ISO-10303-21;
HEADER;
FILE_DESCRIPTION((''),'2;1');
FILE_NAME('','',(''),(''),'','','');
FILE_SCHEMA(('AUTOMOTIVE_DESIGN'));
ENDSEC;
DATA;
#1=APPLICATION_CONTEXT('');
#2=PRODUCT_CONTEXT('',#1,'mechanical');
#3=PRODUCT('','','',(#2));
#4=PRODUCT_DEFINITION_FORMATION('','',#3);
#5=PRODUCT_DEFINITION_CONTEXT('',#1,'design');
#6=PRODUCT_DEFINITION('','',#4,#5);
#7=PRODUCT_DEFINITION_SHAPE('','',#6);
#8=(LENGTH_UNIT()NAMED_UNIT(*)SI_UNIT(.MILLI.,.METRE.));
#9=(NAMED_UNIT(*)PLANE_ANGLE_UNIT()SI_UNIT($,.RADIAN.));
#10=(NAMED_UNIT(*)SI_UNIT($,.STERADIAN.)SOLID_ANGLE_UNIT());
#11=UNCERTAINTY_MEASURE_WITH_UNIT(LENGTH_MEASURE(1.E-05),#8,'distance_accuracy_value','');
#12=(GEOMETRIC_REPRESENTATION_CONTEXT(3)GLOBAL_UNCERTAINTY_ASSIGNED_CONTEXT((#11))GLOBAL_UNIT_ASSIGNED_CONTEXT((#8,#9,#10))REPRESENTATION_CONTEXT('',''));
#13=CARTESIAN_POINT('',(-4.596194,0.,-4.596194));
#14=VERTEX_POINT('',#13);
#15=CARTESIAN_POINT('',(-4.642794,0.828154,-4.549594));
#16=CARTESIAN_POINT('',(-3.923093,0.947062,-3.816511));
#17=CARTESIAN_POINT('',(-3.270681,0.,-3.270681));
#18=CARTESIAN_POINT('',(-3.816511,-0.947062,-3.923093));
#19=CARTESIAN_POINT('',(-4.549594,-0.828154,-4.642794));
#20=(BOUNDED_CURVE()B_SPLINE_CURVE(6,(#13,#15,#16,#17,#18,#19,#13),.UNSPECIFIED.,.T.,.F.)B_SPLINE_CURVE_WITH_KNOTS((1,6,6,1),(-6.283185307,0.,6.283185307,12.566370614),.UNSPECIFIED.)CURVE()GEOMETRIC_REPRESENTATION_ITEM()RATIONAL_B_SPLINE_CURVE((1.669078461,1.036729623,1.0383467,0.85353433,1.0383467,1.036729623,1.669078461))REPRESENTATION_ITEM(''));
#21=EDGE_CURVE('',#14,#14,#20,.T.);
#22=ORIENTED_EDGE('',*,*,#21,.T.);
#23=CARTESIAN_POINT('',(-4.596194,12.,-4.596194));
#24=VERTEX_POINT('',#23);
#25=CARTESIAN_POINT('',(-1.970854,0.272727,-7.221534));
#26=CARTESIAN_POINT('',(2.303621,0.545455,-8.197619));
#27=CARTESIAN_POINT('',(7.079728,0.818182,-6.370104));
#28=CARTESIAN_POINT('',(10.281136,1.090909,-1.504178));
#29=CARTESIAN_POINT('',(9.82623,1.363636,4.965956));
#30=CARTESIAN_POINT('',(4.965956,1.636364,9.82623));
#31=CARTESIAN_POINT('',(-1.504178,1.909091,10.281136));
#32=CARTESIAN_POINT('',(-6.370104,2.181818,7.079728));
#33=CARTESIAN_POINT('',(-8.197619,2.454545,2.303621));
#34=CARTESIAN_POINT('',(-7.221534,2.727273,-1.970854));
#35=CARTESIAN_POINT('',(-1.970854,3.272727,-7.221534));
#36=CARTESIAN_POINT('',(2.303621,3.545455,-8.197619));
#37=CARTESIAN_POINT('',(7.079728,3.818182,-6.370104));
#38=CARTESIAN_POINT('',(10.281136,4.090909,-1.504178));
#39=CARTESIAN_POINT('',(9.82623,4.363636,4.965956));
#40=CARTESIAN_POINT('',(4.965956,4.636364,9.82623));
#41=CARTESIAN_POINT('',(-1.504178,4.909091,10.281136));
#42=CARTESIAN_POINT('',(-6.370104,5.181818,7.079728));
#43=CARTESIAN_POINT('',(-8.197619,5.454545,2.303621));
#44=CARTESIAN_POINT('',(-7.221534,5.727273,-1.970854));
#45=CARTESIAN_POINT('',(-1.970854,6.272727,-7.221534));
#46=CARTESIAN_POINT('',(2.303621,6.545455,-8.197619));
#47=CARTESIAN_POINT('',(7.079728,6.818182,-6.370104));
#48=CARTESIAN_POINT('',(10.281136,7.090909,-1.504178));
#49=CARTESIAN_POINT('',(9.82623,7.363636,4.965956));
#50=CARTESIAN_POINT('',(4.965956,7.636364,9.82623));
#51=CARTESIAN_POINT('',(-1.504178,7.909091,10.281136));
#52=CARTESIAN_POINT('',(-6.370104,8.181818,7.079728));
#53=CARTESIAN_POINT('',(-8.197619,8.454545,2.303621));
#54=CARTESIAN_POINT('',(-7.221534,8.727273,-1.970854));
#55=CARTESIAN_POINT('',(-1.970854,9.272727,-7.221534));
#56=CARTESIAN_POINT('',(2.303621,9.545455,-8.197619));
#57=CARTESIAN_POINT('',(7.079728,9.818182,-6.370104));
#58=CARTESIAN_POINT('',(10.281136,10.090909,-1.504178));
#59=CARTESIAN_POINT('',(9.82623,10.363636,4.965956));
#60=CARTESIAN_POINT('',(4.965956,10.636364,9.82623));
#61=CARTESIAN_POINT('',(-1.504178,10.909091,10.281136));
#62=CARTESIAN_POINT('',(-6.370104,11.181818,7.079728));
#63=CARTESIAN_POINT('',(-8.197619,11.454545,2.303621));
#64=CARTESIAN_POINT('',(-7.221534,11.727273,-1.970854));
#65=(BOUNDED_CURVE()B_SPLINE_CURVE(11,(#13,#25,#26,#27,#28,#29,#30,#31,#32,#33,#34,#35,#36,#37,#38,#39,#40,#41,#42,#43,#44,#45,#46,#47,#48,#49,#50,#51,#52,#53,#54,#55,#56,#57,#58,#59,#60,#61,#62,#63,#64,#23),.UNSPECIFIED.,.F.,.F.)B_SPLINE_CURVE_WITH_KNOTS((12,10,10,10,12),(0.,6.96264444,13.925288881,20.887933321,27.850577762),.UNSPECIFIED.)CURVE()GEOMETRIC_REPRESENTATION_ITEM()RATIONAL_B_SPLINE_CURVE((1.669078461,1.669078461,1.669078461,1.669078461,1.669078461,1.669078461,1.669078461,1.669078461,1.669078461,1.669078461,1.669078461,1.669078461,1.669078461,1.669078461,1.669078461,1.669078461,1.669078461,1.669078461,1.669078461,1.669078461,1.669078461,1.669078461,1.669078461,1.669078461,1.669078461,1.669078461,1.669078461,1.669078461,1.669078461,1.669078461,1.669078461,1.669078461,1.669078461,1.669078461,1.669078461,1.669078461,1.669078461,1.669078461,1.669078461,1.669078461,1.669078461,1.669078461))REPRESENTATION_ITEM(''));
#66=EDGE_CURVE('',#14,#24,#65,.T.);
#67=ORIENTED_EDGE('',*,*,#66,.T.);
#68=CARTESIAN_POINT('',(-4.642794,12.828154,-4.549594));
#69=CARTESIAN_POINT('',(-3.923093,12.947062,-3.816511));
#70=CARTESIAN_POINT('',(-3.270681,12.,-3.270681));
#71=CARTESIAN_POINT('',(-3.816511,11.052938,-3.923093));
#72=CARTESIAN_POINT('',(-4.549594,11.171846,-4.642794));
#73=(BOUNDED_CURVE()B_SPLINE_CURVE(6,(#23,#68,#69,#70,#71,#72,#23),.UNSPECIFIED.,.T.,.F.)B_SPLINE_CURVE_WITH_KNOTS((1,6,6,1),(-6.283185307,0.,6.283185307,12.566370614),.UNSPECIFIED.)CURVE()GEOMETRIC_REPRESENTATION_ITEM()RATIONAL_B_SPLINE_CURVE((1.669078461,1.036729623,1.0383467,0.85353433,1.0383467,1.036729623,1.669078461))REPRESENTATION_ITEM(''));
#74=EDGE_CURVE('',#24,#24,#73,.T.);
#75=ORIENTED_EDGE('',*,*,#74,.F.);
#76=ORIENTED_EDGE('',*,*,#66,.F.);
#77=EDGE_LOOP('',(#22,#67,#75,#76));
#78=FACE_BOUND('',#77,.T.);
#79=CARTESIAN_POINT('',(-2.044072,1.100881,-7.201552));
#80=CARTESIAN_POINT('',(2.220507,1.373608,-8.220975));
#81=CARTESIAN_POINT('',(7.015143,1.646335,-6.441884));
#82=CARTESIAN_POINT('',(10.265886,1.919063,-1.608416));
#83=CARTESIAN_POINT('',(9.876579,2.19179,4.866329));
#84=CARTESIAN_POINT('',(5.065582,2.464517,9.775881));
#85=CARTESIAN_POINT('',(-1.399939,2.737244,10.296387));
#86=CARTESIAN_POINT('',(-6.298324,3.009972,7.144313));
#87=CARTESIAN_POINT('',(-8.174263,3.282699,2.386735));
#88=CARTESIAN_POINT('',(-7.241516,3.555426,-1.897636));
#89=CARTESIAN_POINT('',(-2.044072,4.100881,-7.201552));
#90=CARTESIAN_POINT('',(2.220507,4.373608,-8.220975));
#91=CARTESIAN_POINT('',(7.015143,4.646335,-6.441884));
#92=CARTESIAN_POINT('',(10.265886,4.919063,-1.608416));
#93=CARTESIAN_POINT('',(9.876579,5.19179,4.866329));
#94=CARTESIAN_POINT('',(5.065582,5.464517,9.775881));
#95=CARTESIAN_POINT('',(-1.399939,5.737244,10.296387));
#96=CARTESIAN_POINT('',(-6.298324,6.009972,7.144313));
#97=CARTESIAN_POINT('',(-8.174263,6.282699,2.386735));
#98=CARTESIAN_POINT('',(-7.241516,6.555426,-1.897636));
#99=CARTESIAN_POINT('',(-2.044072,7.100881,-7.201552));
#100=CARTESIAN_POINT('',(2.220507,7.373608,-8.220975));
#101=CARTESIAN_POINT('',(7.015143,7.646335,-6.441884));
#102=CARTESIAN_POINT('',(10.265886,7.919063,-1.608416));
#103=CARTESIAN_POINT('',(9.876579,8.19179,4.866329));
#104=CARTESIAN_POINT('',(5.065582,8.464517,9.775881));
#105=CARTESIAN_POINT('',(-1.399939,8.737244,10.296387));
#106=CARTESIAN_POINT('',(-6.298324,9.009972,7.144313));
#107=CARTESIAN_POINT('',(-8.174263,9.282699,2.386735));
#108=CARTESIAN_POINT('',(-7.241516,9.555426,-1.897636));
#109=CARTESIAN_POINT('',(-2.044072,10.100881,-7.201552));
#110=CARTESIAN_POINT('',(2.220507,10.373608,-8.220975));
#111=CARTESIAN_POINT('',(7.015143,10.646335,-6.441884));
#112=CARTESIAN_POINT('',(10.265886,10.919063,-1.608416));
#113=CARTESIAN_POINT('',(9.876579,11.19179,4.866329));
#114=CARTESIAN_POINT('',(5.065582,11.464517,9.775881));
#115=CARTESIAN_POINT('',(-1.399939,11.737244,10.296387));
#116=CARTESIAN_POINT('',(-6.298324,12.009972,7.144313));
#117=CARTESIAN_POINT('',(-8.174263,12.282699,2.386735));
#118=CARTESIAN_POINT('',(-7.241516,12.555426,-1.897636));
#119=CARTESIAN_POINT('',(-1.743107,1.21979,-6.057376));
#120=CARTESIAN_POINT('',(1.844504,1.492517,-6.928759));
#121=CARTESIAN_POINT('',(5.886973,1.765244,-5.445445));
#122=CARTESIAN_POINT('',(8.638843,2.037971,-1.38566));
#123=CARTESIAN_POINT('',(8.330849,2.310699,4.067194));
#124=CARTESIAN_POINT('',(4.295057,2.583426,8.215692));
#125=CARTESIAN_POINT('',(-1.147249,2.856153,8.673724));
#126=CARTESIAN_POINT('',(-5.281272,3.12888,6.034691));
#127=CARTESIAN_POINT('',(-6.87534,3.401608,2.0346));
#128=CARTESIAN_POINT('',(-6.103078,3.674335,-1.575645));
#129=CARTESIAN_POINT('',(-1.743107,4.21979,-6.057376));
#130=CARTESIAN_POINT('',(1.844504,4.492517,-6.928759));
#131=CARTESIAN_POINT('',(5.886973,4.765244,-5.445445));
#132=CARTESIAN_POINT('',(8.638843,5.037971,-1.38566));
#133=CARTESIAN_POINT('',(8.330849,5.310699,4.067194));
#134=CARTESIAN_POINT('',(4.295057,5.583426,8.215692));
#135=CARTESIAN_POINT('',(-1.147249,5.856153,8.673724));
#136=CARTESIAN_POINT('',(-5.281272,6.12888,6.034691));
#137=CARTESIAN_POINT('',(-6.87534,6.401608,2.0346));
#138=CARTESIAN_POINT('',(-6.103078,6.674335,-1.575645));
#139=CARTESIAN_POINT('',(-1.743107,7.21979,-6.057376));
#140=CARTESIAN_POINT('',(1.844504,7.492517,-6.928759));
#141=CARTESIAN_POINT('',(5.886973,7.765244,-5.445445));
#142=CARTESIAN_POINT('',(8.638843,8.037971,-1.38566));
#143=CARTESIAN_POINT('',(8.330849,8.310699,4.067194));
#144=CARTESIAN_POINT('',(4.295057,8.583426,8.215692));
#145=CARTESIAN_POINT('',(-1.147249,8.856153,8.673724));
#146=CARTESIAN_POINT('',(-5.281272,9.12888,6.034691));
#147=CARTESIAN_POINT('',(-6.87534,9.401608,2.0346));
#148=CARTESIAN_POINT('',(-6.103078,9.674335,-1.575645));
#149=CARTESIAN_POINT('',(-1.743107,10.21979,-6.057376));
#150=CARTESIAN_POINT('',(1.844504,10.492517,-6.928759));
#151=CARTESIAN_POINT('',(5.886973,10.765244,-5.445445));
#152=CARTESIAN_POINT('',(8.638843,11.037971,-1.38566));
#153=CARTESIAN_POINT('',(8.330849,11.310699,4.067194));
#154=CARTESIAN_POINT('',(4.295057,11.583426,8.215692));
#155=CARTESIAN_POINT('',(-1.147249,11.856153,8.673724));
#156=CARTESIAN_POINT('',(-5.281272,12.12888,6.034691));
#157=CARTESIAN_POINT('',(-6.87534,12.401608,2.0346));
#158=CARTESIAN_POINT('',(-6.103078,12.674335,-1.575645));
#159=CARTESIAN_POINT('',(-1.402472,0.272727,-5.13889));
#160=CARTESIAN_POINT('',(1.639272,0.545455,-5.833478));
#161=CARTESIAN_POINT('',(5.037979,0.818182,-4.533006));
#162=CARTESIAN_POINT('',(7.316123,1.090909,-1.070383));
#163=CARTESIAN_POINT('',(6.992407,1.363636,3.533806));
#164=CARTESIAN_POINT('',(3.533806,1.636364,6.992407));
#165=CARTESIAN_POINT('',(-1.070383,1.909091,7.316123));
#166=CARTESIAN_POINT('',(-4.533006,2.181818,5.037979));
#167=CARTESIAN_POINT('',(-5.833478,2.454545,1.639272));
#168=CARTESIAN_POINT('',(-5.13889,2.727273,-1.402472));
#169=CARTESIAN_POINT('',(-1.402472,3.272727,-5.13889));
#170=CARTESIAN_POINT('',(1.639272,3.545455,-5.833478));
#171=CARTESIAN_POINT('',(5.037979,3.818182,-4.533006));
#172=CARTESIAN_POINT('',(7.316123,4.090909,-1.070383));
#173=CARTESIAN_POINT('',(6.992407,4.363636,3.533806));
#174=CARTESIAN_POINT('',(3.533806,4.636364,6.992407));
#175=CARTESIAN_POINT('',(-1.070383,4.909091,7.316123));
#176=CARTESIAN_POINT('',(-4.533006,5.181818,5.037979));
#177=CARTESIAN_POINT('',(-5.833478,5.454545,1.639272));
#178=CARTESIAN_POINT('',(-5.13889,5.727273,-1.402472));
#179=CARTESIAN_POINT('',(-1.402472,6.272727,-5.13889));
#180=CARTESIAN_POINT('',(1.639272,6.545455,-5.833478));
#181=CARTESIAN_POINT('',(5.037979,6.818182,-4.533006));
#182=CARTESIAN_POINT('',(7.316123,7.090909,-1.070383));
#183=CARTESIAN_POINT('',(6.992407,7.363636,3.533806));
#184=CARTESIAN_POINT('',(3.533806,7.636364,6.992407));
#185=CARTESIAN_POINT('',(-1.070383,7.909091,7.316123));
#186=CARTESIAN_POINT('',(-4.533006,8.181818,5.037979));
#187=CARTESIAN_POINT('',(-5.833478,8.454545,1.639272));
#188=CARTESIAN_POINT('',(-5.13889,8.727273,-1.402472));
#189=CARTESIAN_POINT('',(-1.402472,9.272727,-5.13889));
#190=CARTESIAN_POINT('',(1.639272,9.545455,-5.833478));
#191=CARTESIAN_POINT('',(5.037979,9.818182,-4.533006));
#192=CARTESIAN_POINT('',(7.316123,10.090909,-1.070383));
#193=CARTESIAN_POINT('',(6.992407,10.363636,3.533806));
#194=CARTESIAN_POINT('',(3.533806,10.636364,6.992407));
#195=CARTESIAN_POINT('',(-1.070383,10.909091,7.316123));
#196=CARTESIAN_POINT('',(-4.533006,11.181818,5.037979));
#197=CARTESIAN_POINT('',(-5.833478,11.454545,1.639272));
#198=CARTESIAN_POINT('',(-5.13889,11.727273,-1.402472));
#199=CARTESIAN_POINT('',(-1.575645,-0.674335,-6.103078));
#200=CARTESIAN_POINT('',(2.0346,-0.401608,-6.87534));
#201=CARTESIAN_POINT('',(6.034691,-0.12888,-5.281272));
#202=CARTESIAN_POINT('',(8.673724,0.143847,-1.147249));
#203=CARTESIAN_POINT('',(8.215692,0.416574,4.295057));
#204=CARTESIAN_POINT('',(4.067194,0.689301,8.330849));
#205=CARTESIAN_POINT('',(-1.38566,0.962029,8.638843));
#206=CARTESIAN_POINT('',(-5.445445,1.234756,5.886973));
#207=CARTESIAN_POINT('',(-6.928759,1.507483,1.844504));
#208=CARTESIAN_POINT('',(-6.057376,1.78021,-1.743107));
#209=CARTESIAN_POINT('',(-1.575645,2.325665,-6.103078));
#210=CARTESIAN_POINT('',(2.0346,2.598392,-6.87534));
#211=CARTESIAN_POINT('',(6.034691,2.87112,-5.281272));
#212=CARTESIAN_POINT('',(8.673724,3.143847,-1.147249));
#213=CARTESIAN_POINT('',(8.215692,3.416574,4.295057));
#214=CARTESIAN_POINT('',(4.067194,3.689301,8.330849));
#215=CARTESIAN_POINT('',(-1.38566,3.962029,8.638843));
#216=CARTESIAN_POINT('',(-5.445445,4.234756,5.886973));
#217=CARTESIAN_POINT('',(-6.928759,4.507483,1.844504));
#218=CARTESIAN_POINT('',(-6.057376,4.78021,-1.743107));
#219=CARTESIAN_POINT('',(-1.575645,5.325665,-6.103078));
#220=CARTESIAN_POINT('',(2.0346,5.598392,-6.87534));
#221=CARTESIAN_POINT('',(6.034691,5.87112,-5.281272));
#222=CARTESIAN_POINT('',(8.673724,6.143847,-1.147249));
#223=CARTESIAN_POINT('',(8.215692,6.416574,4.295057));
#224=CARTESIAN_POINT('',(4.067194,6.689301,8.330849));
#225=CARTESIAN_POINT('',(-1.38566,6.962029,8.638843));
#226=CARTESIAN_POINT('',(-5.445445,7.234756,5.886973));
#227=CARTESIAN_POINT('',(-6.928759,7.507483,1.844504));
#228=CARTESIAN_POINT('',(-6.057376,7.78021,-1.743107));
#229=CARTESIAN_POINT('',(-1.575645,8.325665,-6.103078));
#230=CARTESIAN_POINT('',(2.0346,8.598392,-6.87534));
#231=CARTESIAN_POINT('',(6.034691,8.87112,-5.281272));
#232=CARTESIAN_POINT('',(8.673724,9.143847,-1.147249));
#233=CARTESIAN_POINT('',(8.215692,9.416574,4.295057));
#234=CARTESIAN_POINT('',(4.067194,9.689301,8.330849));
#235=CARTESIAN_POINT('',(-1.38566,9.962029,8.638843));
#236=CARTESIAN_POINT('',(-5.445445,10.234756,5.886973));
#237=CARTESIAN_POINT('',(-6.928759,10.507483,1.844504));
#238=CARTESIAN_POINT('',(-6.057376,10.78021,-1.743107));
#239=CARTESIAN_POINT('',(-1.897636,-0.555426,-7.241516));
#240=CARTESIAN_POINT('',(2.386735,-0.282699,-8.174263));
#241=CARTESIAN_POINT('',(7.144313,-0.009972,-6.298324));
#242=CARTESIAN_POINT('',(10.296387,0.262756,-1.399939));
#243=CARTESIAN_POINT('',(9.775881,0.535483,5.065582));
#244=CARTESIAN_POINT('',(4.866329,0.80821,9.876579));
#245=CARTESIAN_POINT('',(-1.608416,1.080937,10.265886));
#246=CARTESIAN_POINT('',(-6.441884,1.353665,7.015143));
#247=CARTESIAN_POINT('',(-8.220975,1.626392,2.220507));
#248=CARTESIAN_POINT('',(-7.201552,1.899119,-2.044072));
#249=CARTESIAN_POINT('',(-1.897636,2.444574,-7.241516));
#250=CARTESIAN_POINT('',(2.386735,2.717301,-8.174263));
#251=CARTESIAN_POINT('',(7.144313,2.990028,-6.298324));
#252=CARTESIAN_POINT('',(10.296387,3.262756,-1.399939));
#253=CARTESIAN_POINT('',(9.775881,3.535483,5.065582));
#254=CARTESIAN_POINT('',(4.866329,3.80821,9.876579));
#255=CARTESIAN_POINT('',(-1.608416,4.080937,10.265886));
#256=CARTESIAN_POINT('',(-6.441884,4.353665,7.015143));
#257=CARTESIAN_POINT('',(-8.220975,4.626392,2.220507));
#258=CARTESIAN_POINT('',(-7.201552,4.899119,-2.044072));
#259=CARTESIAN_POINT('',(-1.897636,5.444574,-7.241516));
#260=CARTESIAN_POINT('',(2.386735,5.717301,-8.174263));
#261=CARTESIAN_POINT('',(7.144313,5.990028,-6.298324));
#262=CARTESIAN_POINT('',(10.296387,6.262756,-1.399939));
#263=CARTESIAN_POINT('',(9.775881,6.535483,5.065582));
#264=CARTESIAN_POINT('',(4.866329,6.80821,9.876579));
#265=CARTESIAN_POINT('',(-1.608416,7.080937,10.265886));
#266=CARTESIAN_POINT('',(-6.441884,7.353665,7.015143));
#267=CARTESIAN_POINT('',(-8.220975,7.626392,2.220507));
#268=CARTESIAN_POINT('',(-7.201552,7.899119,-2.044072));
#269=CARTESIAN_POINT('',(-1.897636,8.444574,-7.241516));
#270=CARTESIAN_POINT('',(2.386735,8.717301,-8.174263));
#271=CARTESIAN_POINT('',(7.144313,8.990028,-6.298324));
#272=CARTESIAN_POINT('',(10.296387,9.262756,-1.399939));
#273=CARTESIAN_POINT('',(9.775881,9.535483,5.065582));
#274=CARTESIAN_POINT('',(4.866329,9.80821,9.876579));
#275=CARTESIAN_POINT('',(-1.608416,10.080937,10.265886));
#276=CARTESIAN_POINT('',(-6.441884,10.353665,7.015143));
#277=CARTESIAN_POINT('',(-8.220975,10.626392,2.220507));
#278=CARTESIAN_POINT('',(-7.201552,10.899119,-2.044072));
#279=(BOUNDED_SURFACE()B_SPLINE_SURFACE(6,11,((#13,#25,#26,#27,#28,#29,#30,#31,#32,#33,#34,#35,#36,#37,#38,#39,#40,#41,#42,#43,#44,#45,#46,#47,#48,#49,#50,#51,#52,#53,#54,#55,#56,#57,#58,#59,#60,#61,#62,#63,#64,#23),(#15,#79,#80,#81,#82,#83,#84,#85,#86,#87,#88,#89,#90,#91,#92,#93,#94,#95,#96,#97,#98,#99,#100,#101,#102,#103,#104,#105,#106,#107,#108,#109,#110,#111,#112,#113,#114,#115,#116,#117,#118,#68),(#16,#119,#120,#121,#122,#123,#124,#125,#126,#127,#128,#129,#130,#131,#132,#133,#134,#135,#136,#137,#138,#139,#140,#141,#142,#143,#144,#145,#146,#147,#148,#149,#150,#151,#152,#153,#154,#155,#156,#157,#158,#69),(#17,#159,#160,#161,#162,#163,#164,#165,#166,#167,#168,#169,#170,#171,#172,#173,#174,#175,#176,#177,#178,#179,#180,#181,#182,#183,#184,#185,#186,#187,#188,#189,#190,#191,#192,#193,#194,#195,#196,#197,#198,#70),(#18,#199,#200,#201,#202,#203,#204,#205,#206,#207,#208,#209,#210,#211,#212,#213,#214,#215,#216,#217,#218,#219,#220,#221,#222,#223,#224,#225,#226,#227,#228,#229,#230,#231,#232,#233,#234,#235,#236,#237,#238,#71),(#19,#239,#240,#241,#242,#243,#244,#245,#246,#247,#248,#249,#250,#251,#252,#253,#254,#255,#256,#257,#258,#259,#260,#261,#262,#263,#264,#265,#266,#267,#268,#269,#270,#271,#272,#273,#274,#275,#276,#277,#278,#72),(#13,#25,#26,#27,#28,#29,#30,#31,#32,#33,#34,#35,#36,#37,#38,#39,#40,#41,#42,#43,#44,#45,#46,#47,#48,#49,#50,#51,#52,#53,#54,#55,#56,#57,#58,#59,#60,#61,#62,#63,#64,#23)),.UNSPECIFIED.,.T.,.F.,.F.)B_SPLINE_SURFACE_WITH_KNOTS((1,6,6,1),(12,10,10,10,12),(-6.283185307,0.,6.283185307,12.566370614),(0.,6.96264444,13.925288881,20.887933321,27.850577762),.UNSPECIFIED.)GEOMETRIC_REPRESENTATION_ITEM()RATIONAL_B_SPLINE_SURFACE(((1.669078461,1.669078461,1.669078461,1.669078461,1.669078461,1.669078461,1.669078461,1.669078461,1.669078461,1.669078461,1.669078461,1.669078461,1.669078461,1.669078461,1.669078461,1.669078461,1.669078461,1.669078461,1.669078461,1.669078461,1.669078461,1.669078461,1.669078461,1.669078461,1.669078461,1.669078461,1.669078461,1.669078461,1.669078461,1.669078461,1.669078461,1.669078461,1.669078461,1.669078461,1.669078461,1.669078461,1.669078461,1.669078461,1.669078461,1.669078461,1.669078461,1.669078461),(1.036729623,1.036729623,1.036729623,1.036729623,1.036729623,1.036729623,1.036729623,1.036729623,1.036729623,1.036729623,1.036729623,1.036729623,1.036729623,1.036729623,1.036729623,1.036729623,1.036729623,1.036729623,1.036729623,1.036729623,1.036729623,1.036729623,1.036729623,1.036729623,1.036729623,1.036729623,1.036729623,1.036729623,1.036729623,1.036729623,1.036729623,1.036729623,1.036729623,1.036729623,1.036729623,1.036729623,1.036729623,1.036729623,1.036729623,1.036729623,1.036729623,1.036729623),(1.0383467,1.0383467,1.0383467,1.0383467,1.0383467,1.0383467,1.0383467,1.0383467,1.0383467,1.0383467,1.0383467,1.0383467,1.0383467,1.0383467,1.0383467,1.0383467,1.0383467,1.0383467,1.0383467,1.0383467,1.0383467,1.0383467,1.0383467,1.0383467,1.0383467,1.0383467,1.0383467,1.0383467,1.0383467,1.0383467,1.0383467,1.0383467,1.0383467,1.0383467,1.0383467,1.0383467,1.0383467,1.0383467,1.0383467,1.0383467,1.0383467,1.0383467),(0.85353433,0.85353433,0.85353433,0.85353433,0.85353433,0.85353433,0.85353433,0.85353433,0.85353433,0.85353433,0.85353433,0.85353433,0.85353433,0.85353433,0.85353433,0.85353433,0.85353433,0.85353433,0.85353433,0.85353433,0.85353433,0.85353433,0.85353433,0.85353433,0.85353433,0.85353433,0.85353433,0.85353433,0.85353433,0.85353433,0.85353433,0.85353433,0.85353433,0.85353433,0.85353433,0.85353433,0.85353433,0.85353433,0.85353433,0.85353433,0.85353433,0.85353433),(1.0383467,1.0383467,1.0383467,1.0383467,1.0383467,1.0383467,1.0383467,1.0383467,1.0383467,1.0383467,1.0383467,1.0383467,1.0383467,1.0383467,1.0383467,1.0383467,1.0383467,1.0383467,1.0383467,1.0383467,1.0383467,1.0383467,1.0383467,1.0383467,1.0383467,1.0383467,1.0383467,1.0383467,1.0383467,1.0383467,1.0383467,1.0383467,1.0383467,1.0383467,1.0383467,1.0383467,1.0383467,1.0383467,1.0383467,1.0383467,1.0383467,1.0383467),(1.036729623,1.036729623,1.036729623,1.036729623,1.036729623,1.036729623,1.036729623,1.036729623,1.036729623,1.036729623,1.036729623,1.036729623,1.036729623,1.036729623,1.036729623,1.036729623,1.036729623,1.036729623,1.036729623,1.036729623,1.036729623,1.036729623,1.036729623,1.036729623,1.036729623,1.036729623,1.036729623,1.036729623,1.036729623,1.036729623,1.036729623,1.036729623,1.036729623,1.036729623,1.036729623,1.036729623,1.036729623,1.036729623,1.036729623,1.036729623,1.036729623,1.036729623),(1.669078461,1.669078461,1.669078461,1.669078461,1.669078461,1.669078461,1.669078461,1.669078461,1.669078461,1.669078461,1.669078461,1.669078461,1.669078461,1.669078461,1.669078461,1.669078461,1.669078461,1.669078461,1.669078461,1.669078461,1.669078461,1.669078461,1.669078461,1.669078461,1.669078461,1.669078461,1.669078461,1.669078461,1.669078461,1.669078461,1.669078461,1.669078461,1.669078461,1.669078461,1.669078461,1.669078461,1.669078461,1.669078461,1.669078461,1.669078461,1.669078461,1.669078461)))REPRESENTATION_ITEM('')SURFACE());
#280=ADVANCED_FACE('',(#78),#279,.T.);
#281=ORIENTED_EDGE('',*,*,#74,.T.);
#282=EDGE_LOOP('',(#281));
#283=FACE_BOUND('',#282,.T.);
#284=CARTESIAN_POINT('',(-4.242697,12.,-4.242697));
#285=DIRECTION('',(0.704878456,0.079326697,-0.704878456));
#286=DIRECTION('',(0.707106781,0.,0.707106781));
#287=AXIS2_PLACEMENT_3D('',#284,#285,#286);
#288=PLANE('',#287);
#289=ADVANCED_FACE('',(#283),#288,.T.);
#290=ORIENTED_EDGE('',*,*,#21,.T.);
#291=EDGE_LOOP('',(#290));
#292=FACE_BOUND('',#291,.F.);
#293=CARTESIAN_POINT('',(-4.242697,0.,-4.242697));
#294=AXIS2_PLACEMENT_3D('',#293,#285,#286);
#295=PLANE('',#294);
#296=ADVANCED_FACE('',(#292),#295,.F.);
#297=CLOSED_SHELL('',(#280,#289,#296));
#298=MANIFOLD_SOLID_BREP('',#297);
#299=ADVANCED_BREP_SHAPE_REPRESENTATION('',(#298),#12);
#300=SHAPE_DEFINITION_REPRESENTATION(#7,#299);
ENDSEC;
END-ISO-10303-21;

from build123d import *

# Parameters (mm, degrees)
SWEEP_1_PITCH       = 3
SWEEP_1_HEIGHT      = 12
SWEEP_1_RADIUS      = 6
SWEEP_1_START_ANGLE = -135
SWEEP_1_PROFILE_R   = 0.5


with BuildPart() as part:
    # 스윕1: sweep along a helix
    with BuildLine() as sweep_1_path:
        add(Helix(SWEEP_1_PITCH, SWEEP_1_HEIGHT, SWEEP_1_RADIUS, center=(0, 0, 0), direction=(0, 1, 0), lefthand=True, mode=Mode.PRIVATE).rotate(Axis((0, 0, 0), (0, 1, 0)), SWEEP_1_START_ANGLE))
    # 스윕1 profile (on start of the path) → 스윕1 (sweep)
    with BuildSketch(Plane(origin=(-4.242640687, 0, -4.242640687), x_dir=(-0.707106781, 0, -0.707106781), z_dir=(0.704878456, 0.079326697, -0.704878456))):
        Circle(SWEEP_1_PROFILE_R)
    sweep(path=sweep_1_path.line, is_frenet=True)


solid = part.part
